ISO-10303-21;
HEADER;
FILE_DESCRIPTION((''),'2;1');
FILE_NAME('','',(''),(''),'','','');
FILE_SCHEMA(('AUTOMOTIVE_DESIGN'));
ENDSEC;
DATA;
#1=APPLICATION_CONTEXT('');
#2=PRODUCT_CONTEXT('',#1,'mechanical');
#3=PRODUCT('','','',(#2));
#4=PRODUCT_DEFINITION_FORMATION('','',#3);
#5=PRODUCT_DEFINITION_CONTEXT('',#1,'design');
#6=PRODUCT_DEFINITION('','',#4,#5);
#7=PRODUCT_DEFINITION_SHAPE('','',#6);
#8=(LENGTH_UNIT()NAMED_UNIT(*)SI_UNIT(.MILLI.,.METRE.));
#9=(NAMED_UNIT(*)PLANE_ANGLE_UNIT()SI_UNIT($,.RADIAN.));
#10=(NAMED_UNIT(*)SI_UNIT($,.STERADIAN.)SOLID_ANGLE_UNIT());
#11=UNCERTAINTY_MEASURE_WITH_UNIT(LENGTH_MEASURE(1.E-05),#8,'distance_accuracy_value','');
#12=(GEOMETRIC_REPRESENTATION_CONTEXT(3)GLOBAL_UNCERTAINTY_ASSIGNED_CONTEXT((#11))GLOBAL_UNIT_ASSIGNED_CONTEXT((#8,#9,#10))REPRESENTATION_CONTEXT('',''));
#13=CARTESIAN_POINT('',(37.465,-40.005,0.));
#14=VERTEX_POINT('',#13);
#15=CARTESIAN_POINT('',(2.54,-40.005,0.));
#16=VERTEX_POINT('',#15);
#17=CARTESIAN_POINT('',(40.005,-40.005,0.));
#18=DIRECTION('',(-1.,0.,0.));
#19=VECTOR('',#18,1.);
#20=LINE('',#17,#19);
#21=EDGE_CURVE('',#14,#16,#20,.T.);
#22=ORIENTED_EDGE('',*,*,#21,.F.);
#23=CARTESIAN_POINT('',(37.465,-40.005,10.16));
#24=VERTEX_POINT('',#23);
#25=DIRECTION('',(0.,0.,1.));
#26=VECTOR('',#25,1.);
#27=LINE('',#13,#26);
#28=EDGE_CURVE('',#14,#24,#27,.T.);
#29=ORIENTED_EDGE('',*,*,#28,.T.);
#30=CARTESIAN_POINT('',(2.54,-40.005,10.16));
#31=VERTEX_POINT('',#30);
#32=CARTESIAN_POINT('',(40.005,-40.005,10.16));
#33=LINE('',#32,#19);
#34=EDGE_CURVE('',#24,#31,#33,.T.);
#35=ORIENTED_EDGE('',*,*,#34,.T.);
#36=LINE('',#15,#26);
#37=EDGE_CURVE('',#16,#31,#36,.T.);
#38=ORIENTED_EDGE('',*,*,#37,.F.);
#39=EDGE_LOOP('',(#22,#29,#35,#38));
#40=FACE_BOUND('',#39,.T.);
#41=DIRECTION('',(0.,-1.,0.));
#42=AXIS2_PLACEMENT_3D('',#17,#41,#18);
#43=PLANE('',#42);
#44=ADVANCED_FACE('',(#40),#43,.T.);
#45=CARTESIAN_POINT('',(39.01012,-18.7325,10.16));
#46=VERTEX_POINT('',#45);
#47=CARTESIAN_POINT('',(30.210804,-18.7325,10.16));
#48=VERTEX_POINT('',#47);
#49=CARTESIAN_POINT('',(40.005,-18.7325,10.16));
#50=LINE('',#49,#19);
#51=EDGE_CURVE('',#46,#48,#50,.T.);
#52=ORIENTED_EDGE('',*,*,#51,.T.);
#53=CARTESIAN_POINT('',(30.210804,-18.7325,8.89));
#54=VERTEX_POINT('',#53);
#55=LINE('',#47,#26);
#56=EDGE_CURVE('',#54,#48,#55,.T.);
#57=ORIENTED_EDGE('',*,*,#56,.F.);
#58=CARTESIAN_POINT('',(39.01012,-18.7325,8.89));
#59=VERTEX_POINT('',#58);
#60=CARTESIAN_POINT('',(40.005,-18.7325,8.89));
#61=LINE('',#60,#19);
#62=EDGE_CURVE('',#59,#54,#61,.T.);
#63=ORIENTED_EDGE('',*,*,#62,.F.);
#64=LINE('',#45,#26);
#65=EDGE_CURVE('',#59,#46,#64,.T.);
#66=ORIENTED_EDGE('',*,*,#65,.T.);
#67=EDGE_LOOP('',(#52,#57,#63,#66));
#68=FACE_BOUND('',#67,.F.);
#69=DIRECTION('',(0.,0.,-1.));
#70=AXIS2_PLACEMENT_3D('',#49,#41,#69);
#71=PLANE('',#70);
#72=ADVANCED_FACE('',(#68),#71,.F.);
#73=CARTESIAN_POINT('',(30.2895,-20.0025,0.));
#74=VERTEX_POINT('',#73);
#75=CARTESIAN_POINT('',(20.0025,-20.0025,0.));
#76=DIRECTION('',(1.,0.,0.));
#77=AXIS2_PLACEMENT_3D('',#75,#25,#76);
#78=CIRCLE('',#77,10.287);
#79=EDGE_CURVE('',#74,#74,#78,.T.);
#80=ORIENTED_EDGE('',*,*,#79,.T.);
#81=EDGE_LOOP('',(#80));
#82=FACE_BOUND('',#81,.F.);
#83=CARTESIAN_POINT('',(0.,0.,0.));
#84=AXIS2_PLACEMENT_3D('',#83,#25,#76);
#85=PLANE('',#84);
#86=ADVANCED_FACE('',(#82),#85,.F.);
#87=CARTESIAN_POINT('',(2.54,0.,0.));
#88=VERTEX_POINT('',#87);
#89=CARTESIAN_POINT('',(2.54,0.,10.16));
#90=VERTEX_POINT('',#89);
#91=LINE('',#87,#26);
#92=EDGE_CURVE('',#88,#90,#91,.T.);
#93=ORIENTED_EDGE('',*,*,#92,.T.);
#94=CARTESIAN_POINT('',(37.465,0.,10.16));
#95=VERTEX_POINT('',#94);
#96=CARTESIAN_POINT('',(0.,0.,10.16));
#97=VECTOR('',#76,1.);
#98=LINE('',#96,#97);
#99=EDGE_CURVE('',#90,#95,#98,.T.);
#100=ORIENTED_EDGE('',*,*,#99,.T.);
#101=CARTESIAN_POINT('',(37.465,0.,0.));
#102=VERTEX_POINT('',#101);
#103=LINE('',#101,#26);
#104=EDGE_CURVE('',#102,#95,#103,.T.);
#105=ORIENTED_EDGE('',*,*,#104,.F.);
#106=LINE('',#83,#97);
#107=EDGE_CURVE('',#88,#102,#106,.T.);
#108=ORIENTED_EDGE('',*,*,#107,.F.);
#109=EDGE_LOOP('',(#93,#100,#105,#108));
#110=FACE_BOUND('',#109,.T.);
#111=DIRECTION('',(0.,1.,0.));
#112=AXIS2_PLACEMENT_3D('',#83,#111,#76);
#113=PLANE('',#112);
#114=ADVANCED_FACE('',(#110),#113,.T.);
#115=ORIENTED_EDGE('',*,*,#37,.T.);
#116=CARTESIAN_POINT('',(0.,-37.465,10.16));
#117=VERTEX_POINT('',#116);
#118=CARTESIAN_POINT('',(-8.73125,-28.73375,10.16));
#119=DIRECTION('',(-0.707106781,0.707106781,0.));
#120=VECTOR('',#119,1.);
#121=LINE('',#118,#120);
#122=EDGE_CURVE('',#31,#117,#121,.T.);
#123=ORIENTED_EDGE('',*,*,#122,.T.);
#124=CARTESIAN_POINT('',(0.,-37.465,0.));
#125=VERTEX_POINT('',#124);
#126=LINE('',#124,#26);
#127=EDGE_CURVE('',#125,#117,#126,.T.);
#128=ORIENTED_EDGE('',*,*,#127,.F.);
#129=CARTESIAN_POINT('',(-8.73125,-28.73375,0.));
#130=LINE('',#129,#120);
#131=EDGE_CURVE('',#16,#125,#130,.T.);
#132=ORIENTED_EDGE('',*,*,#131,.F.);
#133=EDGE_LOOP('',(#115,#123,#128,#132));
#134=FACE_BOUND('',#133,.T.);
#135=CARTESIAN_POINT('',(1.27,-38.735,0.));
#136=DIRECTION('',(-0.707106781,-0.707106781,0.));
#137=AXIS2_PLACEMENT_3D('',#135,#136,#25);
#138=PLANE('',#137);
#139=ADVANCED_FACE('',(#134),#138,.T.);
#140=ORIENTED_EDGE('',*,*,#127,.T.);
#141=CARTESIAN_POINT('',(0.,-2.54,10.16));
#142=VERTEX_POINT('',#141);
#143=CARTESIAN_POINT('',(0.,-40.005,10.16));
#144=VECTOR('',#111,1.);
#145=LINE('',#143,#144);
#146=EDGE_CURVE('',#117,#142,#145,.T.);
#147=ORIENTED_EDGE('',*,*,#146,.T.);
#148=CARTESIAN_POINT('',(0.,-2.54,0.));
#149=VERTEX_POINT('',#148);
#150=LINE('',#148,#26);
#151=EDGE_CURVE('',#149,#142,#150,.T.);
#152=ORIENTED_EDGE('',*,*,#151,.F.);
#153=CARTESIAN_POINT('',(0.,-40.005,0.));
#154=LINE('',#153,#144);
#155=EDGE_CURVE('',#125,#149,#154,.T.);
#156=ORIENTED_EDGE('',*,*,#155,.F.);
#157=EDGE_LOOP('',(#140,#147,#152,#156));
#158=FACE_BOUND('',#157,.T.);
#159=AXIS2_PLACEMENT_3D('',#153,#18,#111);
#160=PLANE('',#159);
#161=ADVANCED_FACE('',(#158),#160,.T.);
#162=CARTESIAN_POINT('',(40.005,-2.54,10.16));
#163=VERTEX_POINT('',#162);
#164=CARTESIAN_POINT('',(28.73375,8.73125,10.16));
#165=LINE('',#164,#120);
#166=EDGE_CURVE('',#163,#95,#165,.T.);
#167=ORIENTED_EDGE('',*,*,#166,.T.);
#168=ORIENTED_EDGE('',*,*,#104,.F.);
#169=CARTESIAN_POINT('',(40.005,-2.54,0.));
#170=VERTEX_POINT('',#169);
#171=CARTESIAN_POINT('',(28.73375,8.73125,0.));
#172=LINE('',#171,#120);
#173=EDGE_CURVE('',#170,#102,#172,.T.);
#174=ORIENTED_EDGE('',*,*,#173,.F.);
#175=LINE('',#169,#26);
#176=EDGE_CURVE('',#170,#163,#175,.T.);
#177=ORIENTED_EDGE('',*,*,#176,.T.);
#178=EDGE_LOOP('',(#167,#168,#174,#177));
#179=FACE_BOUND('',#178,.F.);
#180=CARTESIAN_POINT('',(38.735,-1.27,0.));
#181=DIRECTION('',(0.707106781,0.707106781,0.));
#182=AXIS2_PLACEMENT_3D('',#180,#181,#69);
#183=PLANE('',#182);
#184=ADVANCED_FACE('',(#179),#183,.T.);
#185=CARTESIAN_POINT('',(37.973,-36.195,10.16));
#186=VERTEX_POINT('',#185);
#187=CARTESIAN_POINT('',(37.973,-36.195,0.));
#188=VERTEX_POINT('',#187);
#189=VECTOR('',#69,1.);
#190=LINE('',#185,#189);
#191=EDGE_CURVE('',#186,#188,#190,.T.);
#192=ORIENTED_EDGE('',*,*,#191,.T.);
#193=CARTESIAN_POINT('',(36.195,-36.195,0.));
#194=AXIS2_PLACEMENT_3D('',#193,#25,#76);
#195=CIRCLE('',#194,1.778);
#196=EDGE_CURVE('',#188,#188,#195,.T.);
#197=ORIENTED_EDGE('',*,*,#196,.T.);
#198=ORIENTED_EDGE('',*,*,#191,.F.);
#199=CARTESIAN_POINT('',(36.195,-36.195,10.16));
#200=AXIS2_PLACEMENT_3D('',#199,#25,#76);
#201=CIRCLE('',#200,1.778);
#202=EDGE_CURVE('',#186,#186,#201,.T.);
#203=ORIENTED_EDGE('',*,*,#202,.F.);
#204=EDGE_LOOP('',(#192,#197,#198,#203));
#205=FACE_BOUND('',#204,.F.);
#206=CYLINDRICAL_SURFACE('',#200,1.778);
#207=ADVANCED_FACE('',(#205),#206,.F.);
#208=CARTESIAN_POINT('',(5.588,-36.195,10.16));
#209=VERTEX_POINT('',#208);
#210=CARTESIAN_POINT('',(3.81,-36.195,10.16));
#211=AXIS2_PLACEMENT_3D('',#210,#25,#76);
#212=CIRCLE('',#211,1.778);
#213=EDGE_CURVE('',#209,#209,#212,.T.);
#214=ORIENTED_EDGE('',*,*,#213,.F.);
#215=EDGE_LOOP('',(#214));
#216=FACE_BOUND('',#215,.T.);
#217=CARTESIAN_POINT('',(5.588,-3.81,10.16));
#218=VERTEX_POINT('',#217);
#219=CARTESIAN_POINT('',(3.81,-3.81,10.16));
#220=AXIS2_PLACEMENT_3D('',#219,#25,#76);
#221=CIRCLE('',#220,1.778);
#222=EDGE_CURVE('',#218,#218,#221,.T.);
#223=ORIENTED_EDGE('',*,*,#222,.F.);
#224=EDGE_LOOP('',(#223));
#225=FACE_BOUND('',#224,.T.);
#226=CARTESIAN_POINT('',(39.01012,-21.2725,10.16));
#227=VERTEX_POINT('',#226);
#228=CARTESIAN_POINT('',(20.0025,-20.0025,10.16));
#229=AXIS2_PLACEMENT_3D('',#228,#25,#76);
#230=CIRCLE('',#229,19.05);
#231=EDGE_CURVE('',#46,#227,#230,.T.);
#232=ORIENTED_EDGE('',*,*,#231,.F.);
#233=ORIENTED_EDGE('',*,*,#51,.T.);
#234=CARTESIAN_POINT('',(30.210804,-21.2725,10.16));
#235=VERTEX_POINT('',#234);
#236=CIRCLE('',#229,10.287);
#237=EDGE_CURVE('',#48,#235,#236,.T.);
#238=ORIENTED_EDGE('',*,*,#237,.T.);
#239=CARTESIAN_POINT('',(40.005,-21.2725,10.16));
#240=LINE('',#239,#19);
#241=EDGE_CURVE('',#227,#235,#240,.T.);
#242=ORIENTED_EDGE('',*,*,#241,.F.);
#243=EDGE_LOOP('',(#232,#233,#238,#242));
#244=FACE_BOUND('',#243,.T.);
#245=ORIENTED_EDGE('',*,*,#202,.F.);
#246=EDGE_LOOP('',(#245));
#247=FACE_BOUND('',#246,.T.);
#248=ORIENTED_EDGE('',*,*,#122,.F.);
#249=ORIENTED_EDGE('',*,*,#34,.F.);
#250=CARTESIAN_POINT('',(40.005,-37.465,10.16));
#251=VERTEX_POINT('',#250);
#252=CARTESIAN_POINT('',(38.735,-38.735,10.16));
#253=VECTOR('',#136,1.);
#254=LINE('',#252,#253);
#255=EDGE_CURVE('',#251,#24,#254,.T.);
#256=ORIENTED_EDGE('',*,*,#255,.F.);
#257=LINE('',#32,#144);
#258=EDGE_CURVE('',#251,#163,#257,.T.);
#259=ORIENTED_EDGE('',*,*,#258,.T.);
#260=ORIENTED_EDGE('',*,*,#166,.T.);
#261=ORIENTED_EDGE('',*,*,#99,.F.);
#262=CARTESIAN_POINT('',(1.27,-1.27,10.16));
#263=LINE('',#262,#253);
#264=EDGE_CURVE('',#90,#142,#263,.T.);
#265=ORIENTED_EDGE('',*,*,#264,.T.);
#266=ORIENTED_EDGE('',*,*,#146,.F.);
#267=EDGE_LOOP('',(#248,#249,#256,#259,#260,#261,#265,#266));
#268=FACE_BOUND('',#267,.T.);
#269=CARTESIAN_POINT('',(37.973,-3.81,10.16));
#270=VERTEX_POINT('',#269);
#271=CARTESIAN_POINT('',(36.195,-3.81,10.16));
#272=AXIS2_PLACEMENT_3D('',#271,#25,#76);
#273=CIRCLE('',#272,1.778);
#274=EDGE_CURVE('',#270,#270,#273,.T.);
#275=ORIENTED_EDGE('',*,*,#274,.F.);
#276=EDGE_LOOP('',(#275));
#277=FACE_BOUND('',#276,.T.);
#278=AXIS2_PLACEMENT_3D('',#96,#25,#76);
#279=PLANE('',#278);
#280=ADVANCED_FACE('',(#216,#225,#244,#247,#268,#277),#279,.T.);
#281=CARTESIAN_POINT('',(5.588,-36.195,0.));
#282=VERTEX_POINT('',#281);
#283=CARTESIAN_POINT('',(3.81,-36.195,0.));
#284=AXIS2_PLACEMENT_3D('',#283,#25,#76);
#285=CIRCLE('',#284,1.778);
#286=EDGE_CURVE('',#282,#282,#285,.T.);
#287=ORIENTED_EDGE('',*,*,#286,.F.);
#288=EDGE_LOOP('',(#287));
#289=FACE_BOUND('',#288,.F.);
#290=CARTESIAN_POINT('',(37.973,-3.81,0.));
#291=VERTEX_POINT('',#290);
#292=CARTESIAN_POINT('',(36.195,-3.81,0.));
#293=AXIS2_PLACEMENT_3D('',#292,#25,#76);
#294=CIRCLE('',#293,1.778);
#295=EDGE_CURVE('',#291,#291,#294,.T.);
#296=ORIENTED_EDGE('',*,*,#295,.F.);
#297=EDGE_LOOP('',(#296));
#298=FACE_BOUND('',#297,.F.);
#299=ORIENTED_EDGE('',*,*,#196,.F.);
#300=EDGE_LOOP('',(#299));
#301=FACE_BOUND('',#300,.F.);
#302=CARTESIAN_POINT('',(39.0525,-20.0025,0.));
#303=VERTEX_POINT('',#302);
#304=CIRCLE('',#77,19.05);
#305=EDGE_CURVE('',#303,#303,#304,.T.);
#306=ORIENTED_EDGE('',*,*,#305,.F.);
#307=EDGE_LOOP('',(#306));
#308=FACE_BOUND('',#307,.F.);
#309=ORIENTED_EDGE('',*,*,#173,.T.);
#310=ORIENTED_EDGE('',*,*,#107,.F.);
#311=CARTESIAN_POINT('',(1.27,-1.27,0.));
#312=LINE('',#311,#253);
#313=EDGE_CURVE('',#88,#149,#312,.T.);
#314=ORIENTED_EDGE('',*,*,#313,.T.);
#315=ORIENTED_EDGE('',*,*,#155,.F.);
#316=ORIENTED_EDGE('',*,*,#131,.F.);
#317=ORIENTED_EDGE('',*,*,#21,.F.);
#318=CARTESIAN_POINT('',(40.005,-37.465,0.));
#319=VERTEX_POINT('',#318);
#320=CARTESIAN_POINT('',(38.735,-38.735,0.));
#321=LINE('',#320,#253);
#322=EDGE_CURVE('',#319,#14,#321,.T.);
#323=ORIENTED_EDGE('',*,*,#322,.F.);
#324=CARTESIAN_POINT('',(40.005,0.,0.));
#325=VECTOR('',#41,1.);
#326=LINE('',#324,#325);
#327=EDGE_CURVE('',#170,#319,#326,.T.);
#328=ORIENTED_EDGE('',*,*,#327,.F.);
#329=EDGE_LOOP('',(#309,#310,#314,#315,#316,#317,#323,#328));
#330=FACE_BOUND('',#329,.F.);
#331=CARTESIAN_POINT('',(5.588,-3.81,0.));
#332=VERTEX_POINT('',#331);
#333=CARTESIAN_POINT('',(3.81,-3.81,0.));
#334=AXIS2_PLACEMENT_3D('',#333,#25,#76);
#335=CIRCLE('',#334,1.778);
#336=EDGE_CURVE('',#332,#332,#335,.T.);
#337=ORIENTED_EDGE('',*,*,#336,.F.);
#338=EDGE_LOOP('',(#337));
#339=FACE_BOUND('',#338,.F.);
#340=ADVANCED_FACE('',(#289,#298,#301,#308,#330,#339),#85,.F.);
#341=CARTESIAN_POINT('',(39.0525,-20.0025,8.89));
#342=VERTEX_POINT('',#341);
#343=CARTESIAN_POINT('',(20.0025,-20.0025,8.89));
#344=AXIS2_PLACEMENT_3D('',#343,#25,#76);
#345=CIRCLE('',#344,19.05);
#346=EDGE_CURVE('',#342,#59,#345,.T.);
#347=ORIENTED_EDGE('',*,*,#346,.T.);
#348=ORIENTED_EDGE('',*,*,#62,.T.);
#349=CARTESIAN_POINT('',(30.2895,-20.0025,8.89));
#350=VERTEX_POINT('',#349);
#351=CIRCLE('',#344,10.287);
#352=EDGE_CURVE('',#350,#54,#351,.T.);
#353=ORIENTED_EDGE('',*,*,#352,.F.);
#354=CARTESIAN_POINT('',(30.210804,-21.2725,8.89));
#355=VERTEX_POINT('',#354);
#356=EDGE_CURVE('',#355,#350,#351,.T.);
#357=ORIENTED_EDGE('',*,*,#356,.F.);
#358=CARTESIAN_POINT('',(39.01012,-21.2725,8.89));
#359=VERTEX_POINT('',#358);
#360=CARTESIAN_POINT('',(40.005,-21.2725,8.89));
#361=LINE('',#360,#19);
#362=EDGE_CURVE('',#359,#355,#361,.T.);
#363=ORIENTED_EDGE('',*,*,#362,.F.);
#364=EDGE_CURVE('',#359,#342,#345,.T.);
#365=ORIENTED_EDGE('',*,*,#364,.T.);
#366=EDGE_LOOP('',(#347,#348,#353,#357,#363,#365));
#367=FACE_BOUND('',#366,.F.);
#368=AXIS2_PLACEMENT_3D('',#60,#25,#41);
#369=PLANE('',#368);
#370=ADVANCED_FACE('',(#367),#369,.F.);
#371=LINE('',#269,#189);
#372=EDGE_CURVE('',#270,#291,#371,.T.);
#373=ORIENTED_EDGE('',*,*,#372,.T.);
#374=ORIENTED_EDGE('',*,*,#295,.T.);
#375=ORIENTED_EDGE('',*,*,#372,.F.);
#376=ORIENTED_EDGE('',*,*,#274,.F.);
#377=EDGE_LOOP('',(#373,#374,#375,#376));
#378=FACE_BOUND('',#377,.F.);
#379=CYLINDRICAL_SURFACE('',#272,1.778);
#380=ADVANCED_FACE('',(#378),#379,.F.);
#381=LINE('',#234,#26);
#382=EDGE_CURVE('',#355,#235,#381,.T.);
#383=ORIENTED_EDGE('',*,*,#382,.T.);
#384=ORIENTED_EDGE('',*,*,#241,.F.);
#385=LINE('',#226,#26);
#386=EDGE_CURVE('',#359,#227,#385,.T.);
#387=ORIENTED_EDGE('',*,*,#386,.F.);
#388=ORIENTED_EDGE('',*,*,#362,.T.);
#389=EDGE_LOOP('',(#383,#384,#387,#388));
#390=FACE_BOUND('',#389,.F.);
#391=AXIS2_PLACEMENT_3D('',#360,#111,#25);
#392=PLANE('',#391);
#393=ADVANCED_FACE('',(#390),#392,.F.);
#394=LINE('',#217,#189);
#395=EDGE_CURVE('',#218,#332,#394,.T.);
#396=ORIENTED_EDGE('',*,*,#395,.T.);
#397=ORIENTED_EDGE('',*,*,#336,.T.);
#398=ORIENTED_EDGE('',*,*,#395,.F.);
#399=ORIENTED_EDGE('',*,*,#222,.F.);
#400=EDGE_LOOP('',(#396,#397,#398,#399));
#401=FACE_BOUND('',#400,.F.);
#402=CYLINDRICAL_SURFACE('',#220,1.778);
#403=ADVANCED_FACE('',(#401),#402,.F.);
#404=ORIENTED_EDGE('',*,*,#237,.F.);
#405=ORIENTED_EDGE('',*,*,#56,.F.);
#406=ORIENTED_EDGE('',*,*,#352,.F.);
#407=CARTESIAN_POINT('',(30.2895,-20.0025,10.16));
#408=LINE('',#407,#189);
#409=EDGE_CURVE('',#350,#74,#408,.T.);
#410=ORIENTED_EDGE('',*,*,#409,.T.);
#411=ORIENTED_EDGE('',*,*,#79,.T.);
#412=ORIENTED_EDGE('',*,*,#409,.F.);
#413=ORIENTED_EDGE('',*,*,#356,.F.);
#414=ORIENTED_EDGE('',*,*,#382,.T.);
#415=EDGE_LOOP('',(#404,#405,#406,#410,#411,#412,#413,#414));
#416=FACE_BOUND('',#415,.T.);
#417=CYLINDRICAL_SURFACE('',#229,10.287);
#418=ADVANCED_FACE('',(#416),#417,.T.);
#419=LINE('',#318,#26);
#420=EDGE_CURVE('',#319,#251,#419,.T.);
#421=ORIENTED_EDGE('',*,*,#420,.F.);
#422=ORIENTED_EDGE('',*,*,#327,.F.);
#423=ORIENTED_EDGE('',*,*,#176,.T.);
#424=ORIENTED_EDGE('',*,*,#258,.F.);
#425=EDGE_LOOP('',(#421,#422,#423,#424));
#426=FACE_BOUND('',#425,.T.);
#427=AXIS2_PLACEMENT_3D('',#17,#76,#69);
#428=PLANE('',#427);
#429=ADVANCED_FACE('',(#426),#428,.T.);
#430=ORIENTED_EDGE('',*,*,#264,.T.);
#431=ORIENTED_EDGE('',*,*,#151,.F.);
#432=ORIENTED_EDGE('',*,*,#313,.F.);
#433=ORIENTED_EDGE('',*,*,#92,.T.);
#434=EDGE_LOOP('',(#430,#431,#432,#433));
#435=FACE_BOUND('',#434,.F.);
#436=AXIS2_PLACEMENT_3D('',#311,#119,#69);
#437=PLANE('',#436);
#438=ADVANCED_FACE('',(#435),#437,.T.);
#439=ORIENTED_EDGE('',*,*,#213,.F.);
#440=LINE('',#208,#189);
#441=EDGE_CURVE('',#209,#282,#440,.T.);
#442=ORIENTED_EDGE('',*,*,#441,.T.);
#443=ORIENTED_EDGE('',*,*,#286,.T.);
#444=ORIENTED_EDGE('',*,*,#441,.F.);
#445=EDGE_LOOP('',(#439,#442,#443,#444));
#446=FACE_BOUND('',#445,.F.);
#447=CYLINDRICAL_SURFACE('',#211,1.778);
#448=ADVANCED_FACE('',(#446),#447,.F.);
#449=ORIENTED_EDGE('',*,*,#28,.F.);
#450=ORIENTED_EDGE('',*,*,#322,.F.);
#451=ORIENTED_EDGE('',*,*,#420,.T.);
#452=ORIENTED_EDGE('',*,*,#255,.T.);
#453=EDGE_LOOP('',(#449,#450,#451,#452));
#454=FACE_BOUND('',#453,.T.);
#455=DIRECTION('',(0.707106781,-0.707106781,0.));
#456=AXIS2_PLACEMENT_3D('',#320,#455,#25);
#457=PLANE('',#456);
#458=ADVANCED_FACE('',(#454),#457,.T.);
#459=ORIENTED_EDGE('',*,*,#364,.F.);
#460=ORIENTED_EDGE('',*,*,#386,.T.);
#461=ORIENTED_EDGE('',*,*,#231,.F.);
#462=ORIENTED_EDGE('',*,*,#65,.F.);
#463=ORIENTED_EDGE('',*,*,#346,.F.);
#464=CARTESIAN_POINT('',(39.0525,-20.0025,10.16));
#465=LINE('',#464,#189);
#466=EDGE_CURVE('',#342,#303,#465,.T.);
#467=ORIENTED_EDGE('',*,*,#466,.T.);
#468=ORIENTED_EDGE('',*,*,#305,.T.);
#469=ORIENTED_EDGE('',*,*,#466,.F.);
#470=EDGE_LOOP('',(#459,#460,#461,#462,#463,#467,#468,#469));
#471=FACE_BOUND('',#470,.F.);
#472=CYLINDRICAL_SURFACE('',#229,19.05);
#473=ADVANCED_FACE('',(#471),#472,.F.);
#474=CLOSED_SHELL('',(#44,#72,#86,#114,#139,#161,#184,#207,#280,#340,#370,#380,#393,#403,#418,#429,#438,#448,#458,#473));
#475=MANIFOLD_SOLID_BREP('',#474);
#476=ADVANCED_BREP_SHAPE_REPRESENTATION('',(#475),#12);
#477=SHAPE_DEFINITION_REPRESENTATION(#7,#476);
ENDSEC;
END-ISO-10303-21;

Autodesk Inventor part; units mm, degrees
ref_plane "YZ Plane" through (0, 0, 0) normal (1, 0, 0) x (0, 1, 0)
ref_plane "XZ Plane" through (0, 0, 0) normal (0, 1, 0) x (-1, 0, 0)
ref_plane "XY Plane" through (0, 0, 0) normal (0, 0, 1) x (1, 0, 0)
sketch "Sketch1" plane through (0, 0, 0) normal (0, 0, 1) x (1, 0, 0)
  line L0 (0, 0) -> (40.005, 0)
  line L1 (40.005, 0) -> (40.005, -40.005)
  line L2 (40.005, -40.005) -> (0, -40.005)
  line L3 (0, -40.005) -> (0, 0)
  dimension "d0" = 40.005
  dimension "d1" = 40.005
extrude "Extrusion1" add sketch "Sketch1" along normal blind 10.16
sketch "Sketch2" plane through (0, 0, 10.16) normal (0, 0, 1) x (1, 0, 0)
  line L0 (40.005, 0) -> (0, 0) projected
  line L1 (0, 0) -> (0, -40.005) projected
  line L2 (0, -40.005) -> (40.005, -40.005) projected
  line L3 (40.005, -40.005) -> (40.005, 0) projected
  circle A0 centre (20.0025, -20.0025) radius 19.05
  circle A1 centre (3.81, -3.81) radius 1.778
  circle A2 centre (36.195, -3.81) radius 1.778
  circle A3 centre (36.195, -36.195) radius 1.778
  circle A4 centre (3.81, -36.195) radius 1.778
  dimension "d4" = 38.1
  dimension "d6" = 3.81
  dimension "d7" = 3.81
  dimension "d8" = 3.81
  dimension "d9" = 3.81
  dimension "d10" = 3.556
  dimension "d11" = 3.556
  dimension "d12" = 3.556
  dimension "d13" = 3.556
extrude "Extrusion2" cut sketch "Sketch2" against normal blind 12.7 contours A0 | A1 | A2 | A3 | A4
sketch "Sketch3" plane through (0, 0, 10.16) normal (0, 0, 1) x (1, 0, 0)
  circle A0 centre (20.0025, -20.0025) radius 19.05 projected
  circle A1 centre (20.0025, -20.0025) radius 10.287
  dimension "d16" = 20.574
extrude "Extrusion3" add sketch "Sketch3" against normal blind 10.16 contours A1
sketch "Sketch4" plane through (40.005, -40.005, 0) normal (1, 0, 0) x (0, 0, -1)
  line L0 (-10.16, 0) -> (-10.16, 40.005) projected
  line L1 (-10.16, 21.2725) -> (-8.89, 21.2725)
  line L2 (-8.89, 21.2725) -> (-8.89, 18.7325)
  line L3 (-8.89, 18.7325) -> (-10.16, 18.7325)
  line L4 (-10.16, 18.7325) -> (-10.16, 21.2725)
  point P0 (-10.16, 20.0025)
  dimension "d20" = 1.27
  dimension "d21" = 1.27
  dimension "d22" = 1.27
extrude "Extrusion4" add sketch "Sketch4" against normal blind 10.16
chamfer "Chamfer1" distance 2.54 angle 45 4 edges at (0, 0, 5.08) (40.005, 0, 5.08) (40.005, -40.005, 5.08) (0, -40.005, 5.08)
properties part number "Fan"
